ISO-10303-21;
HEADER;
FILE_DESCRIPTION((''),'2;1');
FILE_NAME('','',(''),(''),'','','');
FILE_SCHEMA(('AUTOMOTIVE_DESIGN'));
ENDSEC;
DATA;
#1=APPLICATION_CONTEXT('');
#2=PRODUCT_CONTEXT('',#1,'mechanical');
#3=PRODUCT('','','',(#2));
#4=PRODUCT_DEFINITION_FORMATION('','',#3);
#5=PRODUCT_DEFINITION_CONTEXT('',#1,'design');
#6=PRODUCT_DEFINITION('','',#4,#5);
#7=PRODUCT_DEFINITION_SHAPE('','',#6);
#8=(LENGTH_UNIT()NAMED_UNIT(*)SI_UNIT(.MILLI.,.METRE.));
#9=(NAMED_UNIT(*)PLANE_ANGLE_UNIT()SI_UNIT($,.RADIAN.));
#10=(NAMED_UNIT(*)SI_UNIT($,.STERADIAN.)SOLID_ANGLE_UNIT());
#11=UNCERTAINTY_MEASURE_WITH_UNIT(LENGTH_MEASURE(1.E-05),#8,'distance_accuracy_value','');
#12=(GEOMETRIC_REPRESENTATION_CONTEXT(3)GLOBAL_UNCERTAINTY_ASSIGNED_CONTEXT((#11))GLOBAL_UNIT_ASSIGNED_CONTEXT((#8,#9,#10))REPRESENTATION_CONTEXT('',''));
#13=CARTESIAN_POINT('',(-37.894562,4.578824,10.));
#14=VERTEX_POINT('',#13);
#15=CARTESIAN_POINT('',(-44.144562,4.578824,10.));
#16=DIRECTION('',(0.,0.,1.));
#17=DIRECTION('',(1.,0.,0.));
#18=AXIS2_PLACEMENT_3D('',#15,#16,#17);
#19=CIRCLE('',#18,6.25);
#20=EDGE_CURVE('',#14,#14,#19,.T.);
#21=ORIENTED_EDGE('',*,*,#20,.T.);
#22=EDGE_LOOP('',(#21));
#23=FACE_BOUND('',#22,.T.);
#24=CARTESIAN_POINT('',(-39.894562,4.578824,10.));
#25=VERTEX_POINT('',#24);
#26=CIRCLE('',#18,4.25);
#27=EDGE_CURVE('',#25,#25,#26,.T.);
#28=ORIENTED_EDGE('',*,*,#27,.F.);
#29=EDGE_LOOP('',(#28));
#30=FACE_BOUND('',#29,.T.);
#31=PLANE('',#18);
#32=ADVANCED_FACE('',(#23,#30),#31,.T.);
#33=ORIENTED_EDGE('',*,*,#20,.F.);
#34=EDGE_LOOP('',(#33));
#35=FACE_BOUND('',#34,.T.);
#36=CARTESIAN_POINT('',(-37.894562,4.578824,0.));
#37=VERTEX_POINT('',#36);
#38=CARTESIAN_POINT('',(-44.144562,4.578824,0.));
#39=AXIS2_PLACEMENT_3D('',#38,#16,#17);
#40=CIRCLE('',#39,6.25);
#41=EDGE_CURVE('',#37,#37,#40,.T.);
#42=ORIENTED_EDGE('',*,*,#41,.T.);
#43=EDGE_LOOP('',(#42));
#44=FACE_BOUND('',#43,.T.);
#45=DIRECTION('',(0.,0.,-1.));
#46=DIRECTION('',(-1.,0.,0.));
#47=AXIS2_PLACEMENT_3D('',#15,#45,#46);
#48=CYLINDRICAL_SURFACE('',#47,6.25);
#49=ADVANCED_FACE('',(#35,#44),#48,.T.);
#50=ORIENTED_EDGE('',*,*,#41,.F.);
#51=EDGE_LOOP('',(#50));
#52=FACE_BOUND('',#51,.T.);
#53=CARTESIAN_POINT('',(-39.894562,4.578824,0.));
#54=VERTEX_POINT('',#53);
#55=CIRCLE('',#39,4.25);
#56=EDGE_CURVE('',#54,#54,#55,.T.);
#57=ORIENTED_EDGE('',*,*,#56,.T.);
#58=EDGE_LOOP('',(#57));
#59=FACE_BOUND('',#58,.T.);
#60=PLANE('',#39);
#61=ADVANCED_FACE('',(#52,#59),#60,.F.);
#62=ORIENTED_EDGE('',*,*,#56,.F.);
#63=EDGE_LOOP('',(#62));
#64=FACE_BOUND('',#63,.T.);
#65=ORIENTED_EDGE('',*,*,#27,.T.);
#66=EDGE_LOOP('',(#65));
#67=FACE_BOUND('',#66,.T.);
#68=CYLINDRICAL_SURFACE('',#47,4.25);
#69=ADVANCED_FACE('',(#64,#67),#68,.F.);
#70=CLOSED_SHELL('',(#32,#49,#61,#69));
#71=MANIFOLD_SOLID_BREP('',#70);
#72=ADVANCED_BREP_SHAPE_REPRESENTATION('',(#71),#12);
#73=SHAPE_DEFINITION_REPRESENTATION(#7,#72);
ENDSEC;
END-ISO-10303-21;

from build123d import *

# Parameters (mm, degrees)
SKETCH2_R           = 6.25
SKETCH2_R_2         = 4.25
BOSS_EXTRUDE2_DEPTH = 10


with BuildPart() as part:
    # Sketch2 → Boss-Extrude2 (new body)
    with BuildSketch(Plane.XY):
        with Locations((-44.144561606, 4.578824209)):
            Circle(SKETCH2_R)
        with Locations((-44.144561606, 4.578824209)):
            Circle(SKETCH2_R_2, mode=Mode.SUBTRACT)
    extrude(amount=BOSS_EXTRUDE2_DEPTH)


solid = part.part
